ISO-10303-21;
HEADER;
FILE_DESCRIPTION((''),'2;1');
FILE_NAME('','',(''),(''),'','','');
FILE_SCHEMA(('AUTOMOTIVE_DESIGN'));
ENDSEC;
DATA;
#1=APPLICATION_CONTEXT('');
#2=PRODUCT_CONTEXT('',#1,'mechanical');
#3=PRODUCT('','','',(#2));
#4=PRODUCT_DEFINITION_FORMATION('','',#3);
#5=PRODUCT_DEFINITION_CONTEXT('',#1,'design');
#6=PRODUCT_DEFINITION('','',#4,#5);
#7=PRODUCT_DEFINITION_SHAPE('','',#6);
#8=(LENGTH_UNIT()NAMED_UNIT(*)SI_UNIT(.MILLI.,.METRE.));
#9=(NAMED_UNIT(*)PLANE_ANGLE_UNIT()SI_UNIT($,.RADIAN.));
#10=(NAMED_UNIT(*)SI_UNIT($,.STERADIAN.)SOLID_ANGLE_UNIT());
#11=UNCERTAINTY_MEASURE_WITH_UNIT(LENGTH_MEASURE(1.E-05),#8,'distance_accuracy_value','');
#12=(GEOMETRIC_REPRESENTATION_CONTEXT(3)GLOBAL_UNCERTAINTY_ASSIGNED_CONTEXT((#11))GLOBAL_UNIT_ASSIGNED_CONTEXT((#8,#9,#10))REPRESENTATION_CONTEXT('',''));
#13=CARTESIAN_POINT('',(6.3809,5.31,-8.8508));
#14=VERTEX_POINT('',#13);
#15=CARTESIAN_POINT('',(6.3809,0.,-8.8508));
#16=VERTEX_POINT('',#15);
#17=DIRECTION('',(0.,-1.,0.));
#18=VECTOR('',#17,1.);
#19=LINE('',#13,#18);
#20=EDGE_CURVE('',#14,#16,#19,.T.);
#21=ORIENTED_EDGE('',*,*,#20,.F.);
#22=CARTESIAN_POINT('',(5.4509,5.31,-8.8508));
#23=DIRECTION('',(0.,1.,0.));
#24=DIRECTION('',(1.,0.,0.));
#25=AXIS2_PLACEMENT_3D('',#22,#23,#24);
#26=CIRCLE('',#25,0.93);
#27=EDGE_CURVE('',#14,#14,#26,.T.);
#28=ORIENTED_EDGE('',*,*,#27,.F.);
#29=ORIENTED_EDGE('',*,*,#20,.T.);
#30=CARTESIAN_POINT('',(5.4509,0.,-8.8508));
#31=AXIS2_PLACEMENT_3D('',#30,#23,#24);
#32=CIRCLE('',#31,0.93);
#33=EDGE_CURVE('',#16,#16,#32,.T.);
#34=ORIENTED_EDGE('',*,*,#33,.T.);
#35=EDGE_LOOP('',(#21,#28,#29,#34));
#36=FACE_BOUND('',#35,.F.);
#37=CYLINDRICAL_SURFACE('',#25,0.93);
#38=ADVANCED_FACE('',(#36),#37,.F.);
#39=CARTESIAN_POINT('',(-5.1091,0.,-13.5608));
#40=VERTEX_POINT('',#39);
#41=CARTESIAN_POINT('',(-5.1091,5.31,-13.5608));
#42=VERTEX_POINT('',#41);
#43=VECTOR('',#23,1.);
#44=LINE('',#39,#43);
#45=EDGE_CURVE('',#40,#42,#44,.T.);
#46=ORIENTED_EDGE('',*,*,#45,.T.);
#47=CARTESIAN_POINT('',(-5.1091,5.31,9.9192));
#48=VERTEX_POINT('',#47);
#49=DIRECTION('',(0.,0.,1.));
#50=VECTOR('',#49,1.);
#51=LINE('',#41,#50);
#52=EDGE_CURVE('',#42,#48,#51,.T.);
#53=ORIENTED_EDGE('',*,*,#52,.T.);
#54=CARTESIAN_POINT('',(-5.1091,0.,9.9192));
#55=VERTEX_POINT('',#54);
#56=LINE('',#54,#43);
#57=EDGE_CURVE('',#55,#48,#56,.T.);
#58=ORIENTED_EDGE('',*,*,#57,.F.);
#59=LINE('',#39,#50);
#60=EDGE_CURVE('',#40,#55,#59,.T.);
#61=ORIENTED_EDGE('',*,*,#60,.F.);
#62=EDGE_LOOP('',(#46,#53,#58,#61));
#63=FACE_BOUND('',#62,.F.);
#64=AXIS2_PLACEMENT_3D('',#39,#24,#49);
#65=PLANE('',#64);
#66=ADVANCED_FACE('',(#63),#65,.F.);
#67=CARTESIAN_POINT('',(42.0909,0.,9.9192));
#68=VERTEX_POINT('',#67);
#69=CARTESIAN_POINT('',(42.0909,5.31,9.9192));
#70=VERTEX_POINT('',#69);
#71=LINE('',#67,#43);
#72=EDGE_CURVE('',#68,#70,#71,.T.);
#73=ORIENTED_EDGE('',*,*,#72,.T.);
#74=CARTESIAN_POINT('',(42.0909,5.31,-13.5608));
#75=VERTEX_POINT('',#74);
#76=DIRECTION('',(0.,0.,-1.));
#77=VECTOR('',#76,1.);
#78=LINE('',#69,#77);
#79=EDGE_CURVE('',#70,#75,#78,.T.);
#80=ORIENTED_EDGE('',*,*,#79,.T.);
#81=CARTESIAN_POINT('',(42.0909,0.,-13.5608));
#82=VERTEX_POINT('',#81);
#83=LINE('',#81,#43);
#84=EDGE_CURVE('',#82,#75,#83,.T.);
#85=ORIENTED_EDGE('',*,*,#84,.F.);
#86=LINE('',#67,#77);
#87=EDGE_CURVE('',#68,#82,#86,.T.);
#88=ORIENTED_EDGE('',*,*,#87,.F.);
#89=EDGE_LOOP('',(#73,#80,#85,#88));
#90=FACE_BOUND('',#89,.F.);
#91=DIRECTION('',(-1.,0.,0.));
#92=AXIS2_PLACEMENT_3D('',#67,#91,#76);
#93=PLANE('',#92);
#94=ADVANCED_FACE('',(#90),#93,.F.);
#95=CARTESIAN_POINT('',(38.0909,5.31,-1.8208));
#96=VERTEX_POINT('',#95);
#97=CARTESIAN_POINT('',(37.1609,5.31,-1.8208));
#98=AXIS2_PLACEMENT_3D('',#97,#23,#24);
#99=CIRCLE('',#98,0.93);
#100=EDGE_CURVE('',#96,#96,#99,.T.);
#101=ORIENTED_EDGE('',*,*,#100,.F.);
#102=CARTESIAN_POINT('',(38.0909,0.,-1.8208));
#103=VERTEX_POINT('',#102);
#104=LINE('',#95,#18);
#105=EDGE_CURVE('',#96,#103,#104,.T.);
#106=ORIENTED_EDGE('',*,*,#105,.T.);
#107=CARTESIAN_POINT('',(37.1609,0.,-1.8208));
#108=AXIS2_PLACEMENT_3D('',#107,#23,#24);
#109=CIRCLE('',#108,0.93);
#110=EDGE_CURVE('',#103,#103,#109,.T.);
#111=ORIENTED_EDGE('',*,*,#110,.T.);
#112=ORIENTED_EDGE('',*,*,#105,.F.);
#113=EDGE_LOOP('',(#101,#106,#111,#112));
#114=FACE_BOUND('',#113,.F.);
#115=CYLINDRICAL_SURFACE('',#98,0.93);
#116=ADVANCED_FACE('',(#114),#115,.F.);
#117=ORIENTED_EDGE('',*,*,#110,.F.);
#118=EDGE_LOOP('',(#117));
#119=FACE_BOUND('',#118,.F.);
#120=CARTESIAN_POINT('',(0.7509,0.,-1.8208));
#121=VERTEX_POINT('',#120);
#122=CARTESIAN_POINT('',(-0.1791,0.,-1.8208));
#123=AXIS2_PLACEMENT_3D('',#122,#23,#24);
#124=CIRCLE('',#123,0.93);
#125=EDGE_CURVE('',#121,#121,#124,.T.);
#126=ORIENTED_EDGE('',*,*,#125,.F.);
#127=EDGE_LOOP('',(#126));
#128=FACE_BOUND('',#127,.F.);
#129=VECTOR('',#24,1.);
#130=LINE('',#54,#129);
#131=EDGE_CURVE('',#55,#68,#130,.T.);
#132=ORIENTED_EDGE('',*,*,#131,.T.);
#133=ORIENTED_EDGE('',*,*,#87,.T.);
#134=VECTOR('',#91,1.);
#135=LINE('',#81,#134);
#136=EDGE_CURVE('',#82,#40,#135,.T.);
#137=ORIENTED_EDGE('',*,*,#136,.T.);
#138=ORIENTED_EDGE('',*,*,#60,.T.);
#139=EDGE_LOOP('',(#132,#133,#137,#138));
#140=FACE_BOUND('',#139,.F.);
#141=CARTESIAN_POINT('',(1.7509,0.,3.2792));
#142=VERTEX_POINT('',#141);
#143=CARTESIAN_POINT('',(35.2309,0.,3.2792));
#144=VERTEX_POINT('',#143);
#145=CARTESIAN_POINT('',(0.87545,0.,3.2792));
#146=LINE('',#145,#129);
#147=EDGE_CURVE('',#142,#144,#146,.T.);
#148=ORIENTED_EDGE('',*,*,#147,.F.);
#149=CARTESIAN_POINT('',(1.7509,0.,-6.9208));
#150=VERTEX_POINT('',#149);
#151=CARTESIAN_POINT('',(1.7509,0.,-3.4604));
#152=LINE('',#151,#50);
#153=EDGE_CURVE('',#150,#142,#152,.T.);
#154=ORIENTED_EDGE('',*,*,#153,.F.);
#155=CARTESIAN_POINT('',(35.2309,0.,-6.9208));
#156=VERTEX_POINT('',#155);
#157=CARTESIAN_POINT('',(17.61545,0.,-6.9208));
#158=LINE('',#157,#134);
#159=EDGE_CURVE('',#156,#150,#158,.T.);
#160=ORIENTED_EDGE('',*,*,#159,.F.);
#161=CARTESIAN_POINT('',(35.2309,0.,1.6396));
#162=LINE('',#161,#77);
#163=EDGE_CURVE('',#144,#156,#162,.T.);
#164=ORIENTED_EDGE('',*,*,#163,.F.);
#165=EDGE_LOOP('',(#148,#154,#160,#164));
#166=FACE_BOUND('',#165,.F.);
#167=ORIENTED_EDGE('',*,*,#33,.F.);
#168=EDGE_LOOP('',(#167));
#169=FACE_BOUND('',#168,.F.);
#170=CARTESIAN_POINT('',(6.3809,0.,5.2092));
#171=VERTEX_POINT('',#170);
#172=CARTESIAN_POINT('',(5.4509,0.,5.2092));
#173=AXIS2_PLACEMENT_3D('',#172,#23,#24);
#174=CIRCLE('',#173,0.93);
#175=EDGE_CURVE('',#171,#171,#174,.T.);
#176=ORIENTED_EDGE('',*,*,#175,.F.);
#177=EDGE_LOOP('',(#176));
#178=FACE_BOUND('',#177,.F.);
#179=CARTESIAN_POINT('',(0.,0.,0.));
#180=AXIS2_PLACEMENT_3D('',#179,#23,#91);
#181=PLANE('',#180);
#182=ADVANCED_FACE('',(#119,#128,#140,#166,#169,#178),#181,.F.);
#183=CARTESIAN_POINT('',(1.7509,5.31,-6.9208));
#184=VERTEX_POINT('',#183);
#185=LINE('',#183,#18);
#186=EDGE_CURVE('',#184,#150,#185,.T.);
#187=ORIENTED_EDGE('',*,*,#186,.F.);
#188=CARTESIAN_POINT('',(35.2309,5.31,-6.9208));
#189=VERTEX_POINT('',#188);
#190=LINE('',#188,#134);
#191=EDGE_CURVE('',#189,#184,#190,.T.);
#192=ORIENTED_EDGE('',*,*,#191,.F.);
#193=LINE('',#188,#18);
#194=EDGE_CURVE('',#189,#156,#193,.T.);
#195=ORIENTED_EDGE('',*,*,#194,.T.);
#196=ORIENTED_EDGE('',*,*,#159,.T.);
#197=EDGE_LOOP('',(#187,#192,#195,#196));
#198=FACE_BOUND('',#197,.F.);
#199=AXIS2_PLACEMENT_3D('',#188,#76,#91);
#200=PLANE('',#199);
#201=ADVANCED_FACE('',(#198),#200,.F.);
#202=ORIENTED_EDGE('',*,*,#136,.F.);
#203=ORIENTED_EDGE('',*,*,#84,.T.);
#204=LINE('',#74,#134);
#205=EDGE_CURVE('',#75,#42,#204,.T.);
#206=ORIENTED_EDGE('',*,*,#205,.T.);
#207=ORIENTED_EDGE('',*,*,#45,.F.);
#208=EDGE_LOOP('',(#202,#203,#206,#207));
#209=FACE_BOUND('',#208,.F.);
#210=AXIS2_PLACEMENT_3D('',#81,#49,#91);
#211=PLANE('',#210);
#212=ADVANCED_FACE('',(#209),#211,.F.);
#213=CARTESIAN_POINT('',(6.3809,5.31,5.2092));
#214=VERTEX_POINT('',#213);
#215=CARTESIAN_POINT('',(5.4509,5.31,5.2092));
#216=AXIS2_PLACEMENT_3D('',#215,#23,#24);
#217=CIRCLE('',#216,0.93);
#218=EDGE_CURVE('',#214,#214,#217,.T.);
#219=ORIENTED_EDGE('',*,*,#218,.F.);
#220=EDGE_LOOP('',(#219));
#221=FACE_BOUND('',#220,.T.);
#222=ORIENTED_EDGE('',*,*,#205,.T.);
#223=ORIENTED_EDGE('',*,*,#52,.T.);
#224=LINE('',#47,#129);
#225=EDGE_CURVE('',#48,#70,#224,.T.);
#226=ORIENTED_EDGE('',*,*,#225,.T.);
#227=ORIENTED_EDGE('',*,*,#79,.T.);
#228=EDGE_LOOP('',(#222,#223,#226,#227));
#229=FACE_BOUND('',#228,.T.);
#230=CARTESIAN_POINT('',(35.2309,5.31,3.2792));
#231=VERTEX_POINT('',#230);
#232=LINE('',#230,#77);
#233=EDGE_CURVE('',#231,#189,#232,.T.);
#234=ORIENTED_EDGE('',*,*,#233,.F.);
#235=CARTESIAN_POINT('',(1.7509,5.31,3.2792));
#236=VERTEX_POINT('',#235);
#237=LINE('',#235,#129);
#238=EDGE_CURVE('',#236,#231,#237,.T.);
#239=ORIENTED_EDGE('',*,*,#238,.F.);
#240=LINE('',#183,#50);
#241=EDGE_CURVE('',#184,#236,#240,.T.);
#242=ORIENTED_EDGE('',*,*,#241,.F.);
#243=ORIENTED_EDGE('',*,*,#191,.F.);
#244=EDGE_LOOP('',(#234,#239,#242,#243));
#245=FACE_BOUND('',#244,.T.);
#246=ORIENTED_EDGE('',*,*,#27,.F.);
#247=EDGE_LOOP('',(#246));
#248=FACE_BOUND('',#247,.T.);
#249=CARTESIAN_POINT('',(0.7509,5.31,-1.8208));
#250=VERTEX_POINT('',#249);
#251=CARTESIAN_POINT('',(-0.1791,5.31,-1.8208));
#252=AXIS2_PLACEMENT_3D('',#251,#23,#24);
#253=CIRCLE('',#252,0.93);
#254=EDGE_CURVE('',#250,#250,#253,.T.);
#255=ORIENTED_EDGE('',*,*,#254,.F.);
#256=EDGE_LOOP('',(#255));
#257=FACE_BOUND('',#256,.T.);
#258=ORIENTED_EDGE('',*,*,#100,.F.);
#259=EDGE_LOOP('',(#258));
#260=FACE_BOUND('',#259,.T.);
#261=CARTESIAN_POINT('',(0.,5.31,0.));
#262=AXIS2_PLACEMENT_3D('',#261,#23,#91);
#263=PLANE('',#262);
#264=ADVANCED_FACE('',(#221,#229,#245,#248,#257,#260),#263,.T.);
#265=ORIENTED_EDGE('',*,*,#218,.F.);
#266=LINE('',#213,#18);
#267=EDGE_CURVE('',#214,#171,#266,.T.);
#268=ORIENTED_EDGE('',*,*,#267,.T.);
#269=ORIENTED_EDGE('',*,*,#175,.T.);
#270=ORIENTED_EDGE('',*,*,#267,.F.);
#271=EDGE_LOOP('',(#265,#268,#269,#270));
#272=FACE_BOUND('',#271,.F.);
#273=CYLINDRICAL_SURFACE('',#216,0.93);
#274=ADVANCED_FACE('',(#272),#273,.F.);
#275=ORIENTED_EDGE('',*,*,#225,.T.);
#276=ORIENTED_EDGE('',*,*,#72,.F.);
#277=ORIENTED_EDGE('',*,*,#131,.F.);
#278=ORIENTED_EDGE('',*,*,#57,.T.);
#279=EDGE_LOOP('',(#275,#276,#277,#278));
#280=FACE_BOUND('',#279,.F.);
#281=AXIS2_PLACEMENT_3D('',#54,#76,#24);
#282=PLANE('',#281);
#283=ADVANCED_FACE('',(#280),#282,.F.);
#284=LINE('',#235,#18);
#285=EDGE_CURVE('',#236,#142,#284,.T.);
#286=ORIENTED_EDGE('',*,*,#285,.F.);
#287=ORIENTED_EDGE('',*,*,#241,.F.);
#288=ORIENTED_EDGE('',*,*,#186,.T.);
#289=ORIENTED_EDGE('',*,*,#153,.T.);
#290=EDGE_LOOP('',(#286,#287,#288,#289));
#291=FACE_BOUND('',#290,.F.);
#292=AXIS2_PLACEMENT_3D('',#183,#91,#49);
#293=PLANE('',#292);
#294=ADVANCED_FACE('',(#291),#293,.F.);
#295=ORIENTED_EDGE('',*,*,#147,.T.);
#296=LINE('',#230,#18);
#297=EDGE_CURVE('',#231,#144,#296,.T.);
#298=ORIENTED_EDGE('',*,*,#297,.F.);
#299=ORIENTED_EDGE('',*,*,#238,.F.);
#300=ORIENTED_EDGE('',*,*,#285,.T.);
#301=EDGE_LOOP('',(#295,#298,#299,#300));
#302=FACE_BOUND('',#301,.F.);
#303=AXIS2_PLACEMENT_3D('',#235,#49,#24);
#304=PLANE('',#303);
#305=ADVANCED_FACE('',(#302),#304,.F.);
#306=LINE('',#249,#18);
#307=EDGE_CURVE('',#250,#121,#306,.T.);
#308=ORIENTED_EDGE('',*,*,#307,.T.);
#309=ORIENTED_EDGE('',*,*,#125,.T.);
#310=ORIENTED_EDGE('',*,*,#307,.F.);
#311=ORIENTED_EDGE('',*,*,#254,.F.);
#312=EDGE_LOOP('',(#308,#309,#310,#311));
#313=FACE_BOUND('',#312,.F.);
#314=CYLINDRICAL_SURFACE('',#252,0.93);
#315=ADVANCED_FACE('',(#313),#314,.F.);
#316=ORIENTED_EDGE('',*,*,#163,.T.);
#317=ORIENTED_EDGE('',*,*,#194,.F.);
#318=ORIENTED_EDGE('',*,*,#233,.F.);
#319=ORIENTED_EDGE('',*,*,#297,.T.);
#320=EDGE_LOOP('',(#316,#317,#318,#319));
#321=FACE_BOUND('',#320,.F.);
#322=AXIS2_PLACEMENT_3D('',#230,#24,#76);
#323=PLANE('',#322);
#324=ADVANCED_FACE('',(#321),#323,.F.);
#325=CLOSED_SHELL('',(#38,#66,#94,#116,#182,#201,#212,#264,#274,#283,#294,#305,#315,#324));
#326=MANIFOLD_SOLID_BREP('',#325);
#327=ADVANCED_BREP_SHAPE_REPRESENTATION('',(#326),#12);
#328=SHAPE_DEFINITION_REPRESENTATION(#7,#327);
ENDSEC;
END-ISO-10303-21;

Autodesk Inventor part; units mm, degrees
ref_plane "YZ Plane" through (0, 0, 0) normal (1, 0, 0) x (0, 1, 0)
ref_plane "XZ Plane" through (0, 0, 0) normal (0, 1, 0) x (-1, 0, 0)
ref_plane "XY Plane" through (0, 0, 0) normal (0, 0, 1) x (1, 0, 0)
sketch "Sketch1" plane through (0, 0, 0) normal (0, 1, 0) x (-1, 0, 0)
  line L0 (5.1091, 9.9192) -> (-42.0909, 9.9192)
  line L1 (-42.0909, 9.9192) -> (-42.0909, -13.5608)
  line L2 (-42.0909, -13.5608) -> (5.1091, -13.5608)
  line L3 (5.1091, -13.5608) -> (5.1091, 9.9192)
  point P0 (0, 0)
  dimension "d0" = 23.48
  dimension "d1" = 47.2
extrude "Extrusion1" add sketch "Sketch1" along normal blind 5.31
sketch "Sketch2" plane through (0, 5.31, 0) normal (0, 1, 0) x (1, 0, 0)
  circle A0 centre (-0.1791, 1.8208) radius 0.93
  circle A1 centre (5.4509, -5.2092) radius 0.93
  line L0 (-5.1091, -9.9192) -> (42.0909, -9.9192) projected
  line L1 (42.0909, 13.5608) -> (-5.1091, 13.5608) projected
  circle A2 centre (5.4509, 8.8508) radius 0.93
  line L2 (-5.1091, 13.5608) -> (-5.1091, -9.9192) projected
  line L3 (42.0909, -9.9192) -> (42.0909, 13.5608) projected
  circle A3 centre (37.1609, 1.8208) radius 0.93
  point P0 (0, 0)
  dimension "d4" = 1.86
  dimension "d7" = 1.86
  dimension "d10" = 3.78
  dimension "d12" = 0
  dimension "d14" = 1.86
  dimension "d15" = 14.06
  dimension "d16" = 3.78
  dimension "d17" = 4
  dimension "d19" = 0
  dimension "d20" = 1.86
  dimension "d23" = 37.34
  dimension "d24" = 4
  dimension "d27" = 5.63
  dimension "d29" = 11.74
  dimension "d30" = 11.74
extrude "Extrusion2" cut sketch "Sketch2" against normal through all contours A0 | A1 | A2 | A3
sketch "Sketch3" plane through (0, 5.31, 0) normal (0, 1, 0) x (1, 0, 0)
  line L0 (1.7509, -3.2792) -> (35.2309, -3.2792)
  line L1 (35.2309, -3.2792) -> (35.2309, 6.9208)
  line L2 (35.2309, 6.9208) -> (1.7509, 6.9208)
  line L3 (1.7509, 6.9208) -> (1.7509, -3.2792)
  circle A0 centre (-0.1791, 1.8208) radius 0.93 projected
  circle A1 centre (5.4509, 8.8508) radius 0.93 projected
  circle A2 centre (5.4509, -5.2092) radius 0.93 projected
  circle A3 centre (37.1609, 1.8208) radius 0.93 projected
  point P0 (0, 0)
  dimension "d33" = 1
  dimension "d34" = 1
  dimension "d35" = 1
  dimension "d36" = 1
extrude "Extrusion3" cut sketch "Sketch3" against normal through all contours L3 L2 L1 L0
properties part number "490HV_SampleConnector"
